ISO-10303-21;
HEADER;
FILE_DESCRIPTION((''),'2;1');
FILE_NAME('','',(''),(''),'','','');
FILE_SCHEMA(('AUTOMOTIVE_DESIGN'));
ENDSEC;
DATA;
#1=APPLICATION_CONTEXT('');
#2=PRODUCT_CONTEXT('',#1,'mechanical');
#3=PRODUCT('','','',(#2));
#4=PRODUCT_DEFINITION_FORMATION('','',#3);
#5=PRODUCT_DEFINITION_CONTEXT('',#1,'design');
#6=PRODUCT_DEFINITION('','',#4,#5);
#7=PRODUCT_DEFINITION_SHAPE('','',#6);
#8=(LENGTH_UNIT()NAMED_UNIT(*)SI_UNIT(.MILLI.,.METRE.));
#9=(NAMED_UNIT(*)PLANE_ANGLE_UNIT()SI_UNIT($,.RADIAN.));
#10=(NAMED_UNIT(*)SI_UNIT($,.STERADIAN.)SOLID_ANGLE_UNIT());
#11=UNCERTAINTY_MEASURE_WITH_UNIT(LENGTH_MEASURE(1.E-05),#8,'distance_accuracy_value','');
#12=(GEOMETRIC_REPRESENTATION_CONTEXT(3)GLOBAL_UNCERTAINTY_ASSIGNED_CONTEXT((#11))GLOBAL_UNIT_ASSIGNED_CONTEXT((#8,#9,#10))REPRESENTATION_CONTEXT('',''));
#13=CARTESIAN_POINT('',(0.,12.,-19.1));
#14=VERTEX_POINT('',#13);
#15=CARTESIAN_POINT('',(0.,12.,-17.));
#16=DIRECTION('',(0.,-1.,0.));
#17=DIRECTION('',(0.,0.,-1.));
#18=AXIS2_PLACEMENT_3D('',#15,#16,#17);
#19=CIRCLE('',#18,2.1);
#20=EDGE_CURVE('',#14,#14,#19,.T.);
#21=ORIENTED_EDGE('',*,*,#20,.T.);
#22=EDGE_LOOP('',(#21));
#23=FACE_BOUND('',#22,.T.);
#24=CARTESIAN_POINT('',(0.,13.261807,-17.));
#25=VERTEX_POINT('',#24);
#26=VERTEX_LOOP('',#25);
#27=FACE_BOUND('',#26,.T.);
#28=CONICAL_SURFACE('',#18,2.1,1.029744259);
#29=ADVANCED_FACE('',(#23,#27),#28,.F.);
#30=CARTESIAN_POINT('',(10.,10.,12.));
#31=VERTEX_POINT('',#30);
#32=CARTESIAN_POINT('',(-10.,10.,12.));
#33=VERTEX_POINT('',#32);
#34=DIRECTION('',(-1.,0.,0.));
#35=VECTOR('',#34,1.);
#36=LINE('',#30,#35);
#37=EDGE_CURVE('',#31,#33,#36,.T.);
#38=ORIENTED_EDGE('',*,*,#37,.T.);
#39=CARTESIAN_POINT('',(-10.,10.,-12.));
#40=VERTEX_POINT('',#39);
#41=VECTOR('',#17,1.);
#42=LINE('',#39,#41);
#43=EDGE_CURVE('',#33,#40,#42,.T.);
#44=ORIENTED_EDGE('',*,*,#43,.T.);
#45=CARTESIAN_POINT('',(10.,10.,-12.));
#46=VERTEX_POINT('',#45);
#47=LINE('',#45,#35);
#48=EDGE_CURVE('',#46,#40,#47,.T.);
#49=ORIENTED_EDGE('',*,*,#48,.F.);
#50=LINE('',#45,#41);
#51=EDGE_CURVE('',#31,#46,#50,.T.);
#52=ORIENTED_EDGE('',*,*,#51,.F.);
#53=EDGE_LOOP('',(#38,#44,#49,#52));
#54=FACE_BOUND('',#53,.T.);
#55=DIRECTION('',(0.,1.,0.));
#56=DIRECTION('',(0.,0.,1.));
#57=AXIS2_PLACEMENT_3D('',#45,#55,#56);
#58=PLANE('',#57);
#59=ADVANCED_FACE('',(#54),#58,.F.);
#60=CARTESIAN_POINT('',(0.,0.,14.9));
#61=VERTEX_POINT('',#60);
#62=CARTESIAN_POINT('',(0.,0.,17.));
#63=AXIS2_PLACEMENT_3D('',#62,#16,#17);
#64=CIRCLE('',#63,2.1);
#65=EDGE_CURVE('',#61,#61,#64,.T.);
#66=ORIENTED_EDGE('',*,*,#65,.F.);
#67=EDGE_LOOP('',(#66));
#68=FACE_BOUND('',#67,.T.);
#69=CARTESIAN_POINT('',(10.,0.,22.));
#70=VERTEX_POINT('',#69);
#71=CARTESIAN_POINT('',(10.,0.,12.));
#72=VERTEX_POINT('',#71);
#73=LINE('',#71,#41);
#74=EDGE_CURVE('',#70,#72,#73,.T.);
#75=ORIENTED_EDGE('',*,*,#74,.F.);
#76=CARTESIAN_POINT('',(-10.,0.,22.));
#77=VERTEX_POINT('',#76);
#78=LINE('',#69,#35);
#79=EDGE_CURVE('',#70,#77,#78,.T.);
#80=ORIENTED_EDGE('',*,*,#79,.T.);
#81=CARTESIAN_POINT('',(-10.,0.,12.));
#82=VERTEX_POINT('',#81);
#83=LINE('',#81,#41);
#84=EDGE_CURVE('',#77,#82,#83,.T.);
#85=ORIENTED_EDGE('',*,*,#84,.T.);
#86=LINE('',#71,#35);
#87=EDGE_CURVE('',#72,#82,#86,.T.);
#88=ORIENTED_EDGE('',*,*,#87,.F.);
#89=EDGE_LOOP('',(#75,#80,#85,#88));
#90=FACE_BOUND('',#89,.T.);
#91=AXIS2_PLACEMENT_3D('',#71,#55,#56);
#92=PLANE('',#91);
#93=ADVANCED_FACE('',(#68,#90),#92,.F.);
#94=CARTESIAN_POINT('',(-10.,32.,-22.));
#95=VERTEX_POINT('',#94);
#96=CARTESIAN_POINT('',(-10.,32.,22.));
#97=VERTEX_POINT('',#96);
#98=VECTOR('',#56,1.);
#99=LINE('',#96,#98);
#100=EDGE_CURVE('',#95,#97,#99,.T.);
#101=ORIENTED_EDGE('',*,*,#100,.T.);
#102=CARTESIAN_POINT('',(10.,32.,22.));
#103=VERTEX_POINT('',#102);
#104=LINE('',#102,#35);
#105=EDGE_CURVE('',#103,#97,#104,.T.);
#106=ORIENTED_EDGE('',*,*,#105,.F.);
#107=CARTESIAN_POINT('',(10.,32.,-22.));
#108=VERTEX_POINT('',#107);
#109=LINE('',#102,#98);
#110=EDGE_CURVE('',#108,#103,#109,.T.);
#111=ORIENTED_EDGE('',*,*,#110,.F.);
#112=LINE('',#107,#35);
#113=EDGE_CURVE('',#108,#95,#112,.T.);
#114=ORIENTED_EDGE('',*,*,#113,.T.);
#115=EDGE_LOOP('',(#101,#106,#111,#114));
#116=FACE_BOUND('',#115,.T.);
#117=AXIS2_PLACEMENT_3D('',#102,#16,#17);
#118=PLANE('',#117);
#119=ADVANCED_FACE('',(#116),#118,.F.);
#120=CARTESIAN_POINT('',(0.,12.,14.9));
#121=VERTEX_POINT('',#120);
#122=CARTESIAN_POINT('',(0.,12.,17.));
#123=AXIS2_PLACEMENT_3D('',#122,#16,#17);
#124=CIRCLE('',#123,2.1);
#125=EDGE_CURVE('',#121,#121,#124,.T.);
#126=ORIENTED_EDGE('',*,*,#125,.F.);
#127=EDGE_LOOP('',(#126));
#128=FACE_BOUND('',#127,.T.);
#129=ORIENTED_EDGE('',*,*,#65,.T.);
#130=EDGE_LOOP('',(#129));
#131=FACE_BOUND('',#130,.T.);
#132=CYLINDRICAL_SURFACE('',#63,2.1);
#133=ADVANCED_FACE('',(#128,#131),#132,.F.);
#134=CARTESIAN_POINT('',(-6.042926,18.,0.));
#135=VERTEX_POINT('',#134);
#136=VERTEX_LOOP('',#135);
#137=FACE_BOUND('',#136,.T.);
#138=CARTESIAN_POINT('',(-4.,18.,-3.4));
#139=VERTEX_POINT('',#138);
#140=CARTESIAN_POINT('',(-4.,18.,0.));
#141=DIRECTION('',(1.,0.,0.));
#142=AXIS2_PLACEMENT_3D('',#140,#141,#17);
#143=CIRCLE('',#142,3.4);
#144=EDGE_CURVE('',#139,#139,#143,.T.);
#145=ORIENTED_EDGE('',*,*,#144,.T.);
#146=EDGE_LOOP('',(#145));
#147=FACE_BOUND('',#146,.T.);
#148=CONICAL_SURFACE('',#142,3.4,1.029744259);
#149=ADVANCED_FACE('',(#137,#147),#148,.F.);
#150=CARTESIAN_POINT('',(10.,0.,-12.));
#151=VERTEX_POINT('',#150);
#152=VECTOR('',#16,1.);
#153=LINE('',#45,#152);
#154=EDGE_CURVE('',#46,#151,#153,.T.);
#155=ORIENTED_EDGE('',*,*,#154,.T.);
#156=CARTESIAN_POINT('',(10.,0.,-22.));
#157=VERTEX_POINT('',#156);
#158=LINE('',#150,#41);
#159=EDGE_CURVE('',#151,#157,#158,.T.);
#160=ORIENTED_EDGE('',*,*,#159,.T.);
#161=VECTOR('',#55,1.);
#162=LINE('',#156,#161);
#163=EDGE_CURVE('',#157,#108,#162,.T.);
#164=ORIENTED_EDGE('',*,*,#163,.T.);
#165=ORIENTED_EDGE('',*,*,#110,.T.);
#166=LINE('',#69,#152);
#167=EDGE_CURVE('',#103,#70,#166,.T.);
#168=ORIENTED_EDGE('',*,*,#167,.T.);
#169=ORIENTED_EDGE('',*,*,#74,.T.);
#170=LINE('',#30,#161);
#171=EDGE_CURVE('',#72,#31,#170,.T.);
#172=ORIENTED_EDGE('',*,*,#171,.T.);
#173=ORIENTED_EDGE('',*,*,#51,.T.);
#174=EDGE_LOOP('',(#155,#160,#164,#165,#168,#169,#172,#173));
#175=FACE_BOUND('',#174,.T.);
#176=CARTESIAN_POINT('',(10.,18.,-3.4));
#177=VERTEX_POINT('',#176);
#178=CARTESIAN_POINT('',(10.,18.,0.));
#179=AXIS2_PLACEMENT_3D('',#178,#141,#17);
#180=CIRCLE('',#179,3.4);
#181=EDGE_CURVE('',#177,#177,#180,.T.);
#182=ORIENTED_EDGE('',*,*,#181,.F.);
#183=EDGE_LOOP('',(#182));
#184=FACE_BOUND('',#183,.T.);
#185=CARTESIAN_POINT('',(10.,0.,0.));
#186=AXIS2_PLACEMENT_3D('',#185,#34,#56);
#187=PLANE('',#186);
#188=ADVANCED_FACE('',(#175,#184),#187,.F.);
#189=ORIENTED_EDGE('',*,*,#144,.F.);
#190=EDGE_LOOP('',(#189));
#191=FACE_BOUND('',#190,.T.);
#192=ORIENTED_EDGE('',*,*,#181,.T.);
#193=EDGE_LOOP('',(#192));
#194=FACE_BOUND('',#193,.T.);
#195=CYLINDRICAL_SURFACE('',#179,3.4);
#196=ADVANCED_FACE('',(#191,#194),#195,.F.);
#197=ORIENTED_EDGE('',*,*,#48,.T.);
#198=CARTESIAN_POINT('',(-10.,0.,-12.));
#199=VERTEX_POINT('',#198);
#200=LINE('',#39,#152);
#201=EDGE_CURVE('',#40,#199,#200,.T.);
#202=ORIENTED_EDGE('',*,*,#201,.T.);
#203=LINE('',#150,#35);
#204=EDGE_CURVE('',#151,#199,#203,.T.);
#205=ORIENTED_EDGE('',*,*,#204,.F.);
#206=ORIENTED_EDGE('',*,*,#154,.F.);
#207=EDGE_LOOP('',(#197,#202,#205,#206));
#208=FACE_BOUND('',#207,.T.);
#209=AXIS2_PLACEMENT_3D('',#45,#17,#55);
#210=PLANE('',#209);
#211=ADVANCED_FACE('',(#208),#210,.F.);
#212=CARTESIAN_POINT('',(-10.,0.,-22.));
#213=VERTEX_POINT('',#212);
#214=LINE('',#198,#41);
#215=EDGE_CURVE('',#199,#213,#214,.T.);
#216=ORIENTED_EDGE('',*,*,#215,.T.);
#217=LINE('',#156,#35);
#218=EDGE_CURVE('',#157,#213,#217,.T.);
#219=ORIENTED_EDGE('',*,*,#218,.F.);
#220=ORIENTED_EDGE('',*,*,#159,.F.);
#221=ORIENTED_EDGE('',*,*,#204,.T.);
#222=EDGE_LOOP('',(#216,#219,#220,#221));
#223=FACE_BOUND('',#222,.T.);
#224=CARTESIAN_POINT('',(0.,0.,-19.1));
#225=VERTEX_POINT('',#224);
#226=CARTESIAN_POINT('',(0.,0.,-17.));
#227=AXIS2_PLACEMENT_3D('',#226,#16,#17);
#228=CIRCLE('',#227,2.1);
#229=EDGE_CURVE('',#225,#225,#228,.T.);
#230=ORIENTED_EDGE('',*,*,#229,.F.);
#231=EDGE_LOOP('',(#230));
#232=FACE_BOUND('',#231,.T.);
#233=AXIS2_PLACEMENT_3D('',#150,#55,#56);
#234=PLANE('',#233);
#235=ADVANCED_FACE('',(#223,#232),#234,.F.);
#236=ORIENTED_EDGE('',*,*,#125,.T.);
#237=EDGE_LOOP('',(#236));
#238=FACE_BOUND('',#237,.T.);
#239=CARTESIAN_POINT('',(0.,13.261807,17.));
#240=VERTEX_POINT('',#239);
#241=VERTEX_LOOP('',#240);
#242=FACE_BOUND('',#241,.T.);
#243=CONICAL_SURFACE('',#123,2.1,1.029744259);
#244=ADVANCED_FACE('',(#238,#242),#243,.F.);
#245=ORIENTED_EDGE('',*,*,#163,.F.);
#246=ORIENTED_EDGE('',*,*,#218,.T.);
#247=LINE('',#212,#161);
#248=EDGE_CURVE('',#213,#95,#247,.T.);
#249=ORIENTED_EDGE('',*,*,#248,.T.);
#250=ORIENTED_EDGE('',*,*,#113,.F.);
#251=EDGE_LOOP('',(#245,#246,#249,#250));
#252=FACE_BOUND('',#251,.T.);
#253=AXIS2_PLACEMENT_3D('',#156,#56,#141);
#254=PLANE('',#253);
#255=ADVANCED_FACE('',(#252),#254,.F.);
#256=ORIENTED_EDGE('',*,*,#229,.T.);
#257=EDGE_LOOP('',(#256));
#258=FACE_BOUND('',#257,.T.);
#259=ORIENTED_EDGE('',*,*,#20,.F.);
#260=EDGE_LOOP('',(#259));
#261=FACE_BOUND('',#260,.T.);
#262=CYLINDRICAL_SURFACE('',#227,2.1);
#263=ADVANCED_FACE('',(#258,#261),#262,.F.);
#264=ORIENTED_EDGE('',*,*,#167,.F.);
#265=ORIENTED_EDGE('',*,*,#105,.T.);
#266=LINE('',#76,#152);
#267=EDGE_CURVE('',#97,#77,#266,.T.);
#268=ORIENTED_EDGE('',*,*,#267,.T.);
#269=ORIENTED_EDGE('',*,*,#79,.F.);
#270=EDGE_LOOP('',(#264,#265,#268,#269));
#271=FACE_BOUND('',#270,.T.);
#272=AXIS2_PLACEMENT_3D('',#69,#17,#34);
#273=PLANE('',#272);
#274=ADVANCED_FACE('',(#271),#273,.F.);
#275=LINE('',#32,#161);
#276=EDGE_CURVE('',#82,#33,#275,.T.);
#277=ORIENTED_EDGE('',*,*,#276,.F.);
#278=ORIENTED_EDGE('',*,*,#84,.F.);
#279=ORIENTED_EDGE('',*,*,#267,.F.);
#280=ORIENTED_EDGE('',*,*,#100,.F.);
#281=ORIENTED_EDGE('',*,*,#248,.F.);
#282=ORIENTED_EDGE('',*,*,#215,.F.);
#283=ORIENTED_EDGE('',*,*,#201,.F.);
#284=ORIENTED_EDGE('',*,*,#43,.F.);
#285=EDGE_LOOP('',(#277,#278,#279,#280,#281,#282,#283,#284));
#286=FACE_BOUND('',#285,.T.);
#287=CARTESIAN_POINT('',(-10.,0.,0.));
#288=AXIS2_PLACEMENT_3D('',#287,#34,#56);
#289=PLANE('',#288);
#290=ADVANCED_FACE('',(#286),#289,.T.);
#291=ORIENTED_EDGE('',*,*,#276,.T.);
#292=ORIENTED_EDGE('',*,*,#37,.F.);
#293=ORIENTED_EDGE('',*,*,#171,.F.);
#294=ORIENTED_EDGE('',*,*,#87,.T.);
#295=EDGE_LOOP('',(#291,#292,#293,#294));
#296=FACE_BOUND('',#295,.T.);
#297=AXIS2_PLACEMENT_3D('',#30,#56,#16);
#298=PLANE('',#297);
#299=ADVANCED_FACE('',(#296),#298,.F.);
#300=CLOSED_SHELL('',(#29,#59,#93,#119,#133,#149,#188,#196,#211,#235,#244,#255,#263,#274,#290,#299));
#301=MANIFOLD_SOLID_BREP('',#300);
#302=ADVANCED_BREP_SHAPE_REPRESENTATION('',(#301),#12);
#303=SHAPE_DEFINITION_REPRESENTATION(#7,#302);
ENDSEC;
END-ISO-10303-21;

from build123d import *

# Parameters (mm, degrees)
BOSS_EXTRUDE1_DEPTH   = 10
M8_TAPPED_HOLE1_D     = 6.8
M8_TAPPED_HOLE1_DEPTH = 14
M8_TAPPED_HOLE1_TIP   = 2.042926105
M5_TAPPED_HOLE1_D     = 4.2
M5_TAPPED_HOLE1_DEPTH = 12
M5_TAPPED_HOLE1_TIP   = 1.2618073


with BuildPart() as part:
    # Sketch1 → Boss-Extrude1 (new, symmetric)
    with BuildSketch(Plane(origin=(0, 0, 0), x_dir=(0, 0, -1), z_dir=(1, 0, 0))):
        Polygon((12, 10), (-12, 10), (-12, 0), (-22, 0), (-22, 32), (22, 32), (22, 0), (12, 0), align=None)
    extrude(amount=BOSS_EXTRUDE1_DEPTH, both=True)

    # M8 Tapped Hole1
    with Locations(Plane(origin=(10, 0, 0), x_dir=(0, 0, -1), z_dir=(1, 0, 0))):
        with Locations((0, 18)):
            Hole(M8_TAPPED_HOLE1_D / 2, depth=M8_TAPPED_HOLE1_DEPTH)
            with Locations((0, 0, -(M8_TAPPED_HOLE1_DEPTH + M8_TAPPED_HOLE1_TIP / 2))):  # 118° drill point
                Cone(0, M8_TAPPED_HOLE1_D / 2, M8_TAPPED_HOLE1_TIP, mode=Mode.SUBTRACT)

    # M5 Tapped Hole1
    with Locations(Plane(origin=(0, 0, 0), x_dir=(-1, 0, 0), z_dir=(0, -1, 0))):
        with Locations((0, 17), (0, -17)):
            Hole(M5_TAPPED_HOLE1_D / 2, depth=M5_TAPPED_HOLE1_DEPTH)
            with Locations((0, 0, -(M5_TAPPED_HOLE1_DEPTH + M5_TAPPED_HOLE1_TIP / 2))):  # 118° drill point
                Cone(0, M5_TAPPED_HOLE1_D / 2, M5_TAPPED_HOLE1_TIP, mode=Mode.SUBTRACT)


solid = part.part
